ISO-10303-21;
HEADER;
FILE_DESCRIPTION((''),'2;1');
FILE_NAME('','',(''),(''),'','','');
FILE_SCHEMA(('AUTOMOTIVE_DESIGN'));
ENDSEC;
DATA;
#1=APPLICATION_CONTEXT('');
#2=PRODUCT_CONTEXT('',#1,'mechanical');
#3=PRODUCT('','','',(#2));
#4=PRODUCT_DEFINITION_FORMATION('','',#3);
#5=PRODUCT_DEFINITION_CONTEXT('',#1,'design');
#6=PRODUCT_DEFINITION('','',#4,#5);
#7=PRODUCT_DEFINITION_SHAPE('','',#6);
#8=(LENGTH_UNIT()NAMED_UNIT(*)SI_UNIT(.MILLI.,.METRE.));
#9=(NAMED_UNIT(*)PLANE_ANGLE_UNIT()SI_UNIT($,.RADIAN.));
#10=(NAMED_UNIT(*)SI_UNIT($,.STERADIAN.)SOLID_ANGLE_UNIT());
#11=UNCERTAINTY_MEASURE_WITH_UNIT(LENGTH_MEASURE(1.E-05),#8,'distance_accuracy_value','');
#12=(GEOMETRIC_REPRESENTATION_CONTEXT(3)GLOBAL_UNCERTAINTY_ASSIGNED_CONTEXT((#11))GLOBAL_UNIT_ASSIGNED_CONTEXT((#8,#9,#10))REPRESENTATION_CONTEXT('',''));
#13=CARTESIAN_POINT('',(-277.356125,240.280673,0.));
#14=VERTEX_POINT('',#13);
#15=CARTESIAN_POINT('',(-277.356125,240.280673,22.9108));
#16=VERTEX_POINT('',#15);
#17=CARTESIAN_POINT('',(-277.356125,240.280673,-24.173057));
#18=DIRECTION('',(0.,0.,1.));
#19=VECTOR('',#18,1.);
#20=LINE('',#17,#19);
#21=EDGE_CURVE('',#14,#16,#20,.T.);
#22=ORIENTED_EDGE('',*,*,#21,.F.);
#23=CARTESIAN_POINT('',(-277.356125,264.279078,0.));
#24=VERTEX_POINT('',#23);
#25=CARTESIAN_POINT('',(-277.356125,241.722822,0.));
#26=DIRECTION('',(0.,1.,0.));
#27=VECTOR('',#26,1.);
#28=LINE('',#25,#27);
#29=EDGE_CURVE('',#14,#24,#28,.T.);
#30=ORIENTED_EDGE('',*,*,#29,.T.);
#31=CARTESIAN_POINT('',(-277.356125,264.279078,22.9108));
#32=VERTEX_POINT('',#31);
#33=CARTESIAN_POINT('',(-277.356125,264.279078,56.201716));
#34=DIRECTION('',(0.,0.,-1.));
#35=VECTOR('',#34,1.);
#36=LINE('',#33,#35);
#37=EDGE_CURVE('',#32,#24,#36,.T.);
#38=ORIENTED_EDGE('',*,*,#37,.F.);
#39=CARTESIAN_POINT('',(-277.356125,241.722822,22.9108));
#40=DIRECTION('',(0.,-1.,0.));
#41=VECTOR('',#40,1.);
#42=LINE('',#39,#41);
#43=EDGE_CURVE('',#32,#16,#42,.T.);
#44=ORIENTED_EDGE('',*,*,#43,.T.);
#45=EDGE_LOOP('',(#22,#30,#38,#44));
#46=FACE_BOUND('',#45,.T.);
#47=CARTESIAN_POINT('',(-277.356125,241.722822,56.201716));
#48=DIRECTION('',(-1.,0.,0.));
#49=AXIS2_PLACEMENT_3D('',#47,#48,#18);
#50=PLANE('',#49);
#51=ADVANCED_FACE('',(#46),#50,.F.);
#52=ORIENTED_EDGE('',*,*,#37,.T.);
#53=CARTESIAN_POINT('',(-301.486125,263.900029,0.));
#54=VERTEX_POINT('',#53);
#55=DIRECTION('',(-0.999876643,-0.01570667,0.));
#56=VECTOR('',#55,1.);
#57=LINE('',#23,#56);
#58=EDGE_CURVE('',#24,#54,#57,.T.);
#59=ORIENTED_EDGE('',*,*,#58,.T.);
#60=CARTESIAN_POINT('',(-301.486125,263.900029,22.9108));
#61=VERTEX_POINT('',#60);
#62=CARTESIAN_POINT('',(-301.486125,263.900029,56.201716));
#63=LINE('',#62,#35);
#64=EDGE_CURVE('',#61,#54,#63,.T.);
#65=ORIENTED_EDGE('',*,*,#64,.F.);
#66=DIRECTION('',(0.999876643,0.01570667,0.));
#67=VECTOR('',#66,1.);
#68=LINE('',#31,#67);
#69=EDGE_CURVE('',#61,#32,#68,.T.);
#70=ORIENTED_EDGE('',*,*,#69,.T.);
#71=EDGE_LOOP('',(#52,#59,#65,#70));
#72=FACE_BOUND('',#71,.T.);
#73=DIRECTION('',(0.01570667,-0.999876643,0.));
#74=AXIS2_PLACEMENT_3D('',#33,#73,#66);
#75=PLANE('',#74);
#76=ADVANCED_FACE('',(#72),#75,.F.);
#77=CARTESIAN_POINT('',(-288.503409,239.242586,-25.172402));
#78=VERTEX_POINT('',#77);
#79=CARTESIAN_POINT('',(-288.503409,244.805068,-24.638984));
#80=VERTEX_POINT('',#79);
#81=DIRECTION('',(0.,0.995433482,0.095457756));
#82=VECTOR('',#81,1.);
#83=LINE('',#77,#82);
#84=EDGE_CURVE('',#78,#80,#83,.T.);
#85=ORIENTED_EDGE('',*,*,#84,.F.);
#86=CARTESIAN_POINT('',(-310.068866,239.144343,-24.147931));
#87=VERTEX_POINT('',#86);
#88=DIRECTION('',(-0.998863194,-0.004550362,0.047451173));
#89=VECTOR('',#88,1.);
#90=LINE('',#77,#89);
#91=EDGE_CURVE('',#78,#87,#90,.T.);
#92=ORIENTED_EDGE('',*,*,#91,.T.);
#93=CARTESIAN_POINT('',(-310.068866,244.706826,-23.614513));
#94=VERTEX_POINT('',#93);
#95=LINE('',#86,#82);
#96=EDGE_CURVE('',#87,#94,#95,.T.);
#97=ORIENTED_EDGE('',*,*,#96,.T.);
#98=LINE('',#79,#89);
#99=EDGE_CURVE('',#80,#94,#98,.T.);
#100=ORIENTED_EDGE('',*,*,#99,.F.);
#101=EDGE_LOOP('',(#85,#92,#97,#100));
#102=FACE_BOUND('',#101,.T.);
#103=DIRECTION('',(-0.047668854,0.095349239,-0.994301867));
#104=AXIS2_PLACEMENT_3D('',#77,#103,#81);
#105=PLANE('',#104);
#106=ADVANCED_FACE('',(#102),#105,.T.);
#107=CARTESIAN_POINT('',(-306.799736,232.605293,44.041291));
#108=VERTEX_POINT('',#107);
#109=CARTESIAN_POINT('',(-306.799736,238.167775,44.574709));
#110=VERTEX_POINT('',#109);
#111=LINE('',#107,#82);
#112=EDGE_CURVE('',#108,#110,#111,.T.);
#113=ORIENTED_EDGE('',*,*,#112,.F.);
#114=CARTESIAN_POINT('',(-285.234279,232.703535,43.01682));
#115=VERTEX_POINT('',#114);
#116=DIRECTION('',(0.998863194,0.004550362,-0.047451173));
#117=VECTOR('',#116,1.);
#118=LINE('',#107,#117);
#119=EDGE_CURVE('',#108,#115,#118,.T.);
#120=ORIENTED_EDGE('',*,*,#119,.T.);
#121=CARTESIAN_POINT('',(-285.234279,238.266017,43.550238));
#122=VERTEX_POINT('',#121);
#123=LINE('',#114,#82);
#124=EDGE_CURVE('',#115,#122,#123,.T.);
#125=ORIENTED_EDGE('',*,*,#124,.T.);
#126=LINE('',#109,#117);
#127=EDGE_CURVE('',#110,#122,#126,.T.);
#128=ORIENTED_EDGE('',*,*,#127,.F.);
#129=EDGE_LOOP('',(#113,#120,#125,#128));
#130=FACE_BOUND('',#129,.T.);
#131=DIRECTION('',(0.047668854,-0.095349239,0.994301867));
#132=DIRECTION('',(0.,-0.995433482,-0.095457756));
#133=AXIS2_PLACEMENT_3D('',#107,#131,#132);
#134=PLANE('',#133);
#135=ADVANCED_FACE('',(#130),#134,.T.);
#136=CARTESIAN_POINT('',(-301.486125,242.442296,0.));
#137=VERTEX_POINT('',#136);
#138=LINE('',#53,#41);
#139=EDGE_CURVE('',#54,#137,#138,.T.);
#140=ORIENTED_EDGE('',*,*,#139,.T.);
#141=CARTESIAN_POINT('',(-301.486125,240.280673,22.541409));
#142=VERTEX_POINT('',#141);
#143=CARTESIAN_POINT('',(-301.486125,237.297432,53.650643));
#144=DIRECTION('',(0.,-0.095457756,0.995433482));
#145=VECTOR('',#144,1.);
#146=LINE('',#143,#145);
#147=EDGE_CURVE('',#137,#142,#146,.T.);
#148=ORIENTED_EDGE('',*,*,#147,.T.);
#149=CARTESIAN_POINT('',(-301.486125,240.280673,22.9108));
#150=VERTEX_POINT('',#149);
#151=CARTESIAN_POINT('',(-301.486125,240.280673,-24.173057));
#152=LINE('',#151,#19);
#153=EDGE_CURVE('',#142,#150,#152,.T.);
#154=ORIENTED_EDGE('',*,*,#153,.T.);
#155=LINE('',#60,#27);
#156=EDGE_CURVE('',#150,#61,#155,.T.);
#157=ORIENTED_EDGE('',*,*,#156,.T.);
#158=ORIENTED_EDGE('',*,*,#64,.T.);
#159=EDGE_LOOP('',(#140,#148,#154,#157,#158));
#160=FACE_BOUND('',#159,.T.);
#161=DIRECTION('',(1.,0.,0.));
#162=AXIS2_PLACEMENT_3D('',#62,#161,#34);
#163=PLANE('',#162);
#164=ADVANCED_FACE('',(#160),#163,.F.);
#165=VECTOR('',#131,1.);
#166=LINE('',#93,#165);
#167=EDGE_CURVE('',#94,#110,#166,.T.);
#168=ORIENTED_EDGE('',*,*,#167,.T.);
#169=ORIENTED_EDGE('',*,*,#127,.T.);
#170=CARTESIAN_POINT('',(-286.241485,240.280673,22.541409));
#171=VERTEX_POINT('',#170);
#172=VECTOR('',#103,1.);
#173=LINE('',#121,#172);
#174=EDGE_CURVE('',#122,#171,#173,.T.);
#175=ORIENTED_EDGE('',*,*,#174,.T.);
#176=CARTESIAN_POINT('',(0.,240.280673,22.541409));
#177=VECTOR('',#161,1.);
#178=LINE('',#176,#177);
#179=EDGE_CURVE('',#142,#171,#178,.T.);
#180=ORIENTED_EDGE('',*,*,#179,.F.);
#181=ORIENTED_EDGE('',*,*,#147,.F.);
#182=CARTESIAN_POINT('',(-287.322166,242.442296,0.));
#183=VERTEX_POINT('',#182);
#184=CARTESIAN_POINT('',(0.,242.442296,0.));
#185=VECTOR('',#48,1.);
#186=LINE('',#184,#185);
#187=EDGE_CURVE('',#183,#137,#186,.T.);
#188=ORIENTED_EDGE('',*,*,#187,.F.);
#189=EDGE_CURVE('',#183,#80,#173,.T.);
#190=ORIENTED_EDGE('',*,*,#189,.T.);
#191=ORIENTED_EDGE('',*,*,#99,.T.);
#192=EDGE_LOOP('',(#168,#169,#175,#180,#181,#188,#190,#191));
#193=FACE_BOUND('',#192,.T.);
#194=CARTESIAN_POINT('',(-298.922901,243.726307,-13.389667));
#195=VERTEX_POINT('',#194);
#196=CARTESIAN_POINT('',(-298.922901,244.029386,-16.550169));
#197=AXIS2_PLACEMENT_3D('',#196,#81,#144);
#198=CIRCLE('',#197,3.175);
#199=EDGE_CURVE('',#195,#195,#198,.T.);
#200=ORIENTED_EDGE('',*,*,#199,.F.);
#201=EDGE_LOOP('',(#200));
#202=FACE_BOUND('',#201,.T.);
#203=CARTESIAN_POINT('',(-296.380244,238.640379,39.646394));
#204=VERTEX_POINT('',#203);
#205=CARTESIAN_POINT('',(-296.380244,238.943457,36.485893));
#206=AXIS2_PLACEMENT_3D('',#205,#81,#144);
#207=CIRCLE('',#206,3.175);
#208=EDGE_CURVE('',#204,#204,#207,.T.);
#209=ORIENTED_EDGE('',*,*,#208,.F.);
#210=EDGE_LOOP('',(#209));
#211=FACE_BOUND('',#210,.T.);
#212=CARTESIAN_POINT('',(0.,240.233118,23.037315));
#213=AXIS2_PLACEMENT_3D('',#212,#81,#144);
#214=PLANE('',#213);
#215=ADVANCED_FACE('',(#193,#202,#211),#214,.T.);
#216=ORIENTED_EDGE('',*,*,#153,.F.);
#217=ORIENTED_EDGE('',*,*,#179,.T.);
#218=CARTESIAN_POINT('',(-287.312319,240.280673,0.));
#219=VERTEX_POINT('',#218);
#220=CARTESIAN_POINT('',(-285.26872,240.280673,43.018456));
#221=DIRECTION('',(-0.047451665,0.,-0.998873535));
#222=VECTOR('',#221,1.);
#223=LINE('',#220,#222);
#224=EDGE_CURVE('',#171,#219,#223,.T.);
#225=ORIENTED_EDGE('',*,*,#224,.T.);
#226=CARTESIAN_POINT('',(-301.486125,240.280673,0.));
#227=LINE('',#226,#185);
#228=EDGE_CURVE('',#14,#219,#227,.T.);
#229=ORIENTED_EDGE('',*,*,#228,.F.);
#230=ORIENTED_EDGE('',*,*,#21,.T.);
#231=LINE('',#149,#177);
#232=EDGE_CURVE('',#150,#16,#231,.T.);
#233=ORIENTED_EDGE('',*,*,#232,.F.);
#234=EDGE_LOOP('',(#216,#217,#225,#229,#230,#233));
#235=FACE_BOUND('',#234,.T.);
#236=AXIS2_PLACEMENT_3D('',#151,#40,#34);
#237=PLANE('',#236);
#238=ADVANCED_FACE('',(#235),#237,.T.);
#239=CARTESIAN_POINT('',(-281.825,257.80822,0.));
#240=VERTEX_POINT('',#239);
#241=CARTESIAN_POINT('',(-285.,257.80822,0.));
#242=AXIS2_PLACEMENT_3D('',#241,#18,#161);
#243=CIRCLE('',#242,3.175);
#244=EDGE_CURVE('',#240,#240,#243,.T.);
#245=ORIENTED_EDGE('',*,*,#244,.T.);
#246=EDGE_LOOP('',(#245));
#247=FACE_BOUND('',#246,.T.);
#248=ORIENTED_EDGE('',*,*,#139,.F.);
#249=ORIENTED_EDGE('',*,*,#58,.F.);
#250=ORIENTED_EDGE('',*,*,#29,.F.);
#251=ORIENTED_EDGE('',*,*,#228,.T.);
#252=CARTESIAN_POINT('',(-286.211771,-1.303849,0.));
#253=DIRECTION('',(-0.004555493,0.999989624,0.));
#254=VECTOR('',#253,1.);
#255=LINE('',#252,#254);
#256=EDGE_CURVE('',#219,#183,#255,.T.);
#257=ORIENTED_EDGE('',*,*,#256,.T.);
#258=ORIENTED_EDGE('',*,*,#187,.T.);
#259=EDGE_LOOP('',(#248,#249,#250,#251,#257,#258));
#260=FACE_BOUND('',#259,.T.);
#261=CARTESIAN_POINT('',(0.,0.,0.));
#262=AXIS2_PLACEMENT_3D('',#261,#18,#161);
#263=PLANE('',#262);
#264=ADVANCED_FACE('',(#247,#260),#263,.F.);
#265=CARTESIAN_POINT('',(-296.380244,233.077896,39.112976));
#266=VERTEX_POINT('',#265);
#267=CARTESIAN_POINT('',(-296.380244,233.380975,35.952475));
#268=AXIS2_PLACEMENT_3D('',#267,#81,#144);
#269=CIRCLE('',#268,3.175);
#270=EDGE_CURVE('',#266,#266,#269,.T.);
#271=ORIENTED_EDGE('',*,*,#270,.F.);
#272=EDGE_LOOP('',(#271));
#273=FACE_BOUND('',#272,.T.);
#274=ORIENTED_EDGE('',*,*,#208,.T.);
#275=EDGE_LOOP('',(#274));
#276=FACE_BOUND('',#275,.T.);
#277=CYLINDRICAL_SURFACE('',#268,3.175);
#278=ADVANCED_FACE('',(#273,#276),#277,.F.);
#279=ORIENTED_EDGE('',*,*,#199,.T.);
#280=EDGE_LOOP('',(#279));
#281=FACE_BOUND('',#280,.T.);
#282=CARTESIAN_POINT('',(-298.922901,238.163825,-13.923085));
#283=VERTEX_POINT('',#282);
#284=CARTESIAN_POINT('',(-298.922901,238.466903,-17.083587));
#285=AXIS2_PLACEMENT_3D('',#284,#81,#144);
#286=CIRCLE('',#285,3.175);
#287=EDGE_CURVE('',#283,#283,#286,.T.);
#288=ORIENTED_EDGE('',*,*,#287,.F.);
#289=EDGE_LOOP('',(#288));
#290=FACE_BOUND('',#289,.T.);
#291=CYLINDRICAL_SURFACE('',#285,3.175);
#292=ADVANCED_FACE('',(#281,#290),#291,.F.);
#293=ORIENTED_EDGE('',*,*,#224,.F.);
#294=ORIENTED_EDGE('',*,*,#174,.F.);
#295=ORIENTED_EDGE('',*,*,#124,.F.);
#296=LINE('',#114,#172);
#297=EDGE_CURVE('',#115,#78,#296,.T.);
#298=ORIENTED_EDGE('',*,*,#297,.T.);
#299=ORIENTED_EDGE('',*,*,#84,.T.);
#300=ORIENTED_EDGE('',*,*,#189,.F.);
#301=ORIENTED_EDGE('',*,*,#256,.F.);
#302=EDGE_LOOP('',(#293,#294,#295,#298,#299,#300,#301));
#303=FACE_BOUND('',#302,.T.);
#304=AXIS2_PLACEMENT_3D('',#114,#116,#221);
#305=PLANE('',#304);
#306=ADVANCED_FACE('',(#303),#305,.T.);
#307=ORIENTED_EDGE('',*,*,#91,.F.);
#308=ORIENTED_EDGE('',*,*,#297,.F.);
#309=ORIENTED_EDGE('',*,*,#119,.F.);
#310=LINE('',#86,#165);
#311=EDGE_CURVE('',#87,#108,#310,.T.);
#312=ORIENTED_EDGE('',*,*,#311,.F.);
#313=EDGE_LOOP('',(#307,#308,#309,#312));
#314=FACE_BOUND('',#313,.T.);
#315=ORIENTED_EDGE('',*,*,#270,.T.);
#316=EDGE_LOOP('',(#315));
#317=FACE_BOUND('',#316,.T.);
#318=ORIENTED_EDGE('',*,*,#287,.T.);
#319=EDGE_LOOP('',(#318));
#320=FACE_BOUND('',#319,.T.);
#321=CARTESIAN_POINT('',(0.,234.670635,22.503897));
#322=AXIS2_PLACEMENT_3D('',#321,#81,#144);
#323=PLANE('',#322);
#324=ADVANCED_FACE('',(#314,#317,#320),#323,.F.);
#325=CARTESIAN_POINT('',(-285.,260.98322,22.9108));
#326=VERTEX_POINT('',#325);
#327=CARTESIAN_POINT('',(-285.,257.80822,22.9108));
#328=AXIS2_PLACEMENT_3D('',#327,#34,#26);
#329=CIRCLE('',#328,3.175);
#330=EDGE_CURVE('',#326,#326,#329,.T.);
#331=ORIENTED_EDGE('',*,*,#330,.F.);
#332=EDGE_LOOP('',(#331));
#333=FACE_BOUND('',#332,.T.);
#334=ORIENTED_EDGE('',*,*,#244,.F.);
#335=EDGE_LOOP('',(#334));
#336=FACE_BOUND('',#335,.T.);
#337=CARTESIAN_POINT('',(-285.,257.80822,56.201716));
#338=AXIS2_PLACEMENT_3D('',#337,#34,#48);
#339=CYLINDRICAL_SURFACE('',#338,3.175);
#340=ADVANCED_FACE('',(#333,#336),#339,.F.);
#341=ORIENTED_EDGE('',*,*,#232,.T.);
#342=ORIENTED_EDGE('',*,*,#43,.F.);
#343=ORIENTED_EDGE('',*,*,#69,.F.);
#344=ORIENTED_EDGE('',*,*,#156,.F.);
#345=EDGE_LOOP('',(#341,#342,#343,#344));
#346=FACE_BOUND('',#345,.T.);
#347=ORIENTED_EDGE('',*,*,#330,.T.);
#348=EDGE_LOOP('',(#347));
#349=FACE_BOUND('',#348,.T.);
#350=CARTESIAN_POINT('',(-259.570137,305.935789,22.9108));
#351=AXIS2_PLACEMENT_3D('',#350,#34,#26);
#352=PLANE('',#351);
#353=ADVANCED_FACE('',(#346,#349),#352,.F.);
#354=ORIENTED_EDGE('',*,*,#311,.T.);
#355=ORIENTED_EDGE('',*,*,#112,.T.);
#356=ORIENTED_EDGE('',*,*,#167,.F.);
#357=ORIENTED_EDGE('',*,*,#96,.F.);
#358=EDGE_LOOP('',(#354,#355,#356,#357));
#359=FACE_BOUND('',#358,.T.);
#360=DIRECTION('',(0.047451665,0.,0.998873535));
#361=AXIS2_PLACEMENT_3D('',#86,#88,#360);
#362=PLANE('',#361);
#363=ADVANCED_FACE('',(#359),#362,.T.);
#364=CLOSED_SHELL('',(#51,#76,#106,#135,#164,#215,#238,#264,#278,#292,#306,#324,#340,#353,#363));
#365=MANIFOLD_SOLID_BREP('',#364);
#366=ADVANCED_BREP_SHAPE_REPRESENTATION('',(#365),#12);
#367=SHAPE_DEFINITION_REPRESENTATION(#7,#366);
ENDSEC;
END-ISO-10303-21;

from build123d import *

# Parameters (mm, degrees)
SKETCH1_R           = 3.175
BOSS_EXTRUDE3_DEPTH = 22.9108
SKETCH2_R           = 3.175
BOSS_EXTRUDE4_DEPTH = 5.588
BOSS_EXTRUDE5_DEPTH = 22.9108


with BuildPart() as part:
    # Sketch1 → Boss-Extrude3 (new body)
    with BuildSketch(Plane.XY):
        Polygon((-277.356124969, 264.279078056), (-301.486124969, 263.900029357), (-301.486124969, 241.343772944), (-277.356124969, 241.722821643), align=None)
        with Locations(Location((-285, 257.808220008, 0), (0, 0, 90))):
            Circle(SKETCH1_R, mode=Mode.SUBTRACT)
    extrude(amount=BOSS_EXTRUDE3_DEPTH)

    # Sketch2 → Boss-Extrude4 (add)
    with BuildSketch(Plane(origin=(0, 240.233117527, 23.037314684), x_dir=(1, 0, 0), z_dir=(0, 0.9954334818448494, 0.0954577562183399))):
        Polygon((-310.068865703, 46.86584189), (-306.799735692, -21.636195955), (-285.234279333, -20.607025396), (-288.503409344, 47.895012449), align=None)
        with Locations(Location((-298.922900855, 39.769089631, 0), (0, 0, 270))):
            Circle(SKETCH2_R, mode=Mode.SUBTRACT)
        with Locations(Location((-296.38024418, -13.510273137, 0), (0, 0, 270))):
            Circle(SKETCH2_R, mode=Mode.SUBTRACT)
    extrude(amount=-BOSS_EXTRUDE4_DEPTH)

    # Sketch5 → Boss-Extrude5 (add)
    with BuildSketch(Plane.XY.offset(22.9108)):
        Polygon((-301.486124969, 241.343772944), (-301.486124969, 240.2806727), (-277.356124969, 240.2806727), (-277.356124969, 241.722821643), align=None)
    extrude(amount=-BOSS_EXTRUDE5_DEPTH)


solid = part.part
